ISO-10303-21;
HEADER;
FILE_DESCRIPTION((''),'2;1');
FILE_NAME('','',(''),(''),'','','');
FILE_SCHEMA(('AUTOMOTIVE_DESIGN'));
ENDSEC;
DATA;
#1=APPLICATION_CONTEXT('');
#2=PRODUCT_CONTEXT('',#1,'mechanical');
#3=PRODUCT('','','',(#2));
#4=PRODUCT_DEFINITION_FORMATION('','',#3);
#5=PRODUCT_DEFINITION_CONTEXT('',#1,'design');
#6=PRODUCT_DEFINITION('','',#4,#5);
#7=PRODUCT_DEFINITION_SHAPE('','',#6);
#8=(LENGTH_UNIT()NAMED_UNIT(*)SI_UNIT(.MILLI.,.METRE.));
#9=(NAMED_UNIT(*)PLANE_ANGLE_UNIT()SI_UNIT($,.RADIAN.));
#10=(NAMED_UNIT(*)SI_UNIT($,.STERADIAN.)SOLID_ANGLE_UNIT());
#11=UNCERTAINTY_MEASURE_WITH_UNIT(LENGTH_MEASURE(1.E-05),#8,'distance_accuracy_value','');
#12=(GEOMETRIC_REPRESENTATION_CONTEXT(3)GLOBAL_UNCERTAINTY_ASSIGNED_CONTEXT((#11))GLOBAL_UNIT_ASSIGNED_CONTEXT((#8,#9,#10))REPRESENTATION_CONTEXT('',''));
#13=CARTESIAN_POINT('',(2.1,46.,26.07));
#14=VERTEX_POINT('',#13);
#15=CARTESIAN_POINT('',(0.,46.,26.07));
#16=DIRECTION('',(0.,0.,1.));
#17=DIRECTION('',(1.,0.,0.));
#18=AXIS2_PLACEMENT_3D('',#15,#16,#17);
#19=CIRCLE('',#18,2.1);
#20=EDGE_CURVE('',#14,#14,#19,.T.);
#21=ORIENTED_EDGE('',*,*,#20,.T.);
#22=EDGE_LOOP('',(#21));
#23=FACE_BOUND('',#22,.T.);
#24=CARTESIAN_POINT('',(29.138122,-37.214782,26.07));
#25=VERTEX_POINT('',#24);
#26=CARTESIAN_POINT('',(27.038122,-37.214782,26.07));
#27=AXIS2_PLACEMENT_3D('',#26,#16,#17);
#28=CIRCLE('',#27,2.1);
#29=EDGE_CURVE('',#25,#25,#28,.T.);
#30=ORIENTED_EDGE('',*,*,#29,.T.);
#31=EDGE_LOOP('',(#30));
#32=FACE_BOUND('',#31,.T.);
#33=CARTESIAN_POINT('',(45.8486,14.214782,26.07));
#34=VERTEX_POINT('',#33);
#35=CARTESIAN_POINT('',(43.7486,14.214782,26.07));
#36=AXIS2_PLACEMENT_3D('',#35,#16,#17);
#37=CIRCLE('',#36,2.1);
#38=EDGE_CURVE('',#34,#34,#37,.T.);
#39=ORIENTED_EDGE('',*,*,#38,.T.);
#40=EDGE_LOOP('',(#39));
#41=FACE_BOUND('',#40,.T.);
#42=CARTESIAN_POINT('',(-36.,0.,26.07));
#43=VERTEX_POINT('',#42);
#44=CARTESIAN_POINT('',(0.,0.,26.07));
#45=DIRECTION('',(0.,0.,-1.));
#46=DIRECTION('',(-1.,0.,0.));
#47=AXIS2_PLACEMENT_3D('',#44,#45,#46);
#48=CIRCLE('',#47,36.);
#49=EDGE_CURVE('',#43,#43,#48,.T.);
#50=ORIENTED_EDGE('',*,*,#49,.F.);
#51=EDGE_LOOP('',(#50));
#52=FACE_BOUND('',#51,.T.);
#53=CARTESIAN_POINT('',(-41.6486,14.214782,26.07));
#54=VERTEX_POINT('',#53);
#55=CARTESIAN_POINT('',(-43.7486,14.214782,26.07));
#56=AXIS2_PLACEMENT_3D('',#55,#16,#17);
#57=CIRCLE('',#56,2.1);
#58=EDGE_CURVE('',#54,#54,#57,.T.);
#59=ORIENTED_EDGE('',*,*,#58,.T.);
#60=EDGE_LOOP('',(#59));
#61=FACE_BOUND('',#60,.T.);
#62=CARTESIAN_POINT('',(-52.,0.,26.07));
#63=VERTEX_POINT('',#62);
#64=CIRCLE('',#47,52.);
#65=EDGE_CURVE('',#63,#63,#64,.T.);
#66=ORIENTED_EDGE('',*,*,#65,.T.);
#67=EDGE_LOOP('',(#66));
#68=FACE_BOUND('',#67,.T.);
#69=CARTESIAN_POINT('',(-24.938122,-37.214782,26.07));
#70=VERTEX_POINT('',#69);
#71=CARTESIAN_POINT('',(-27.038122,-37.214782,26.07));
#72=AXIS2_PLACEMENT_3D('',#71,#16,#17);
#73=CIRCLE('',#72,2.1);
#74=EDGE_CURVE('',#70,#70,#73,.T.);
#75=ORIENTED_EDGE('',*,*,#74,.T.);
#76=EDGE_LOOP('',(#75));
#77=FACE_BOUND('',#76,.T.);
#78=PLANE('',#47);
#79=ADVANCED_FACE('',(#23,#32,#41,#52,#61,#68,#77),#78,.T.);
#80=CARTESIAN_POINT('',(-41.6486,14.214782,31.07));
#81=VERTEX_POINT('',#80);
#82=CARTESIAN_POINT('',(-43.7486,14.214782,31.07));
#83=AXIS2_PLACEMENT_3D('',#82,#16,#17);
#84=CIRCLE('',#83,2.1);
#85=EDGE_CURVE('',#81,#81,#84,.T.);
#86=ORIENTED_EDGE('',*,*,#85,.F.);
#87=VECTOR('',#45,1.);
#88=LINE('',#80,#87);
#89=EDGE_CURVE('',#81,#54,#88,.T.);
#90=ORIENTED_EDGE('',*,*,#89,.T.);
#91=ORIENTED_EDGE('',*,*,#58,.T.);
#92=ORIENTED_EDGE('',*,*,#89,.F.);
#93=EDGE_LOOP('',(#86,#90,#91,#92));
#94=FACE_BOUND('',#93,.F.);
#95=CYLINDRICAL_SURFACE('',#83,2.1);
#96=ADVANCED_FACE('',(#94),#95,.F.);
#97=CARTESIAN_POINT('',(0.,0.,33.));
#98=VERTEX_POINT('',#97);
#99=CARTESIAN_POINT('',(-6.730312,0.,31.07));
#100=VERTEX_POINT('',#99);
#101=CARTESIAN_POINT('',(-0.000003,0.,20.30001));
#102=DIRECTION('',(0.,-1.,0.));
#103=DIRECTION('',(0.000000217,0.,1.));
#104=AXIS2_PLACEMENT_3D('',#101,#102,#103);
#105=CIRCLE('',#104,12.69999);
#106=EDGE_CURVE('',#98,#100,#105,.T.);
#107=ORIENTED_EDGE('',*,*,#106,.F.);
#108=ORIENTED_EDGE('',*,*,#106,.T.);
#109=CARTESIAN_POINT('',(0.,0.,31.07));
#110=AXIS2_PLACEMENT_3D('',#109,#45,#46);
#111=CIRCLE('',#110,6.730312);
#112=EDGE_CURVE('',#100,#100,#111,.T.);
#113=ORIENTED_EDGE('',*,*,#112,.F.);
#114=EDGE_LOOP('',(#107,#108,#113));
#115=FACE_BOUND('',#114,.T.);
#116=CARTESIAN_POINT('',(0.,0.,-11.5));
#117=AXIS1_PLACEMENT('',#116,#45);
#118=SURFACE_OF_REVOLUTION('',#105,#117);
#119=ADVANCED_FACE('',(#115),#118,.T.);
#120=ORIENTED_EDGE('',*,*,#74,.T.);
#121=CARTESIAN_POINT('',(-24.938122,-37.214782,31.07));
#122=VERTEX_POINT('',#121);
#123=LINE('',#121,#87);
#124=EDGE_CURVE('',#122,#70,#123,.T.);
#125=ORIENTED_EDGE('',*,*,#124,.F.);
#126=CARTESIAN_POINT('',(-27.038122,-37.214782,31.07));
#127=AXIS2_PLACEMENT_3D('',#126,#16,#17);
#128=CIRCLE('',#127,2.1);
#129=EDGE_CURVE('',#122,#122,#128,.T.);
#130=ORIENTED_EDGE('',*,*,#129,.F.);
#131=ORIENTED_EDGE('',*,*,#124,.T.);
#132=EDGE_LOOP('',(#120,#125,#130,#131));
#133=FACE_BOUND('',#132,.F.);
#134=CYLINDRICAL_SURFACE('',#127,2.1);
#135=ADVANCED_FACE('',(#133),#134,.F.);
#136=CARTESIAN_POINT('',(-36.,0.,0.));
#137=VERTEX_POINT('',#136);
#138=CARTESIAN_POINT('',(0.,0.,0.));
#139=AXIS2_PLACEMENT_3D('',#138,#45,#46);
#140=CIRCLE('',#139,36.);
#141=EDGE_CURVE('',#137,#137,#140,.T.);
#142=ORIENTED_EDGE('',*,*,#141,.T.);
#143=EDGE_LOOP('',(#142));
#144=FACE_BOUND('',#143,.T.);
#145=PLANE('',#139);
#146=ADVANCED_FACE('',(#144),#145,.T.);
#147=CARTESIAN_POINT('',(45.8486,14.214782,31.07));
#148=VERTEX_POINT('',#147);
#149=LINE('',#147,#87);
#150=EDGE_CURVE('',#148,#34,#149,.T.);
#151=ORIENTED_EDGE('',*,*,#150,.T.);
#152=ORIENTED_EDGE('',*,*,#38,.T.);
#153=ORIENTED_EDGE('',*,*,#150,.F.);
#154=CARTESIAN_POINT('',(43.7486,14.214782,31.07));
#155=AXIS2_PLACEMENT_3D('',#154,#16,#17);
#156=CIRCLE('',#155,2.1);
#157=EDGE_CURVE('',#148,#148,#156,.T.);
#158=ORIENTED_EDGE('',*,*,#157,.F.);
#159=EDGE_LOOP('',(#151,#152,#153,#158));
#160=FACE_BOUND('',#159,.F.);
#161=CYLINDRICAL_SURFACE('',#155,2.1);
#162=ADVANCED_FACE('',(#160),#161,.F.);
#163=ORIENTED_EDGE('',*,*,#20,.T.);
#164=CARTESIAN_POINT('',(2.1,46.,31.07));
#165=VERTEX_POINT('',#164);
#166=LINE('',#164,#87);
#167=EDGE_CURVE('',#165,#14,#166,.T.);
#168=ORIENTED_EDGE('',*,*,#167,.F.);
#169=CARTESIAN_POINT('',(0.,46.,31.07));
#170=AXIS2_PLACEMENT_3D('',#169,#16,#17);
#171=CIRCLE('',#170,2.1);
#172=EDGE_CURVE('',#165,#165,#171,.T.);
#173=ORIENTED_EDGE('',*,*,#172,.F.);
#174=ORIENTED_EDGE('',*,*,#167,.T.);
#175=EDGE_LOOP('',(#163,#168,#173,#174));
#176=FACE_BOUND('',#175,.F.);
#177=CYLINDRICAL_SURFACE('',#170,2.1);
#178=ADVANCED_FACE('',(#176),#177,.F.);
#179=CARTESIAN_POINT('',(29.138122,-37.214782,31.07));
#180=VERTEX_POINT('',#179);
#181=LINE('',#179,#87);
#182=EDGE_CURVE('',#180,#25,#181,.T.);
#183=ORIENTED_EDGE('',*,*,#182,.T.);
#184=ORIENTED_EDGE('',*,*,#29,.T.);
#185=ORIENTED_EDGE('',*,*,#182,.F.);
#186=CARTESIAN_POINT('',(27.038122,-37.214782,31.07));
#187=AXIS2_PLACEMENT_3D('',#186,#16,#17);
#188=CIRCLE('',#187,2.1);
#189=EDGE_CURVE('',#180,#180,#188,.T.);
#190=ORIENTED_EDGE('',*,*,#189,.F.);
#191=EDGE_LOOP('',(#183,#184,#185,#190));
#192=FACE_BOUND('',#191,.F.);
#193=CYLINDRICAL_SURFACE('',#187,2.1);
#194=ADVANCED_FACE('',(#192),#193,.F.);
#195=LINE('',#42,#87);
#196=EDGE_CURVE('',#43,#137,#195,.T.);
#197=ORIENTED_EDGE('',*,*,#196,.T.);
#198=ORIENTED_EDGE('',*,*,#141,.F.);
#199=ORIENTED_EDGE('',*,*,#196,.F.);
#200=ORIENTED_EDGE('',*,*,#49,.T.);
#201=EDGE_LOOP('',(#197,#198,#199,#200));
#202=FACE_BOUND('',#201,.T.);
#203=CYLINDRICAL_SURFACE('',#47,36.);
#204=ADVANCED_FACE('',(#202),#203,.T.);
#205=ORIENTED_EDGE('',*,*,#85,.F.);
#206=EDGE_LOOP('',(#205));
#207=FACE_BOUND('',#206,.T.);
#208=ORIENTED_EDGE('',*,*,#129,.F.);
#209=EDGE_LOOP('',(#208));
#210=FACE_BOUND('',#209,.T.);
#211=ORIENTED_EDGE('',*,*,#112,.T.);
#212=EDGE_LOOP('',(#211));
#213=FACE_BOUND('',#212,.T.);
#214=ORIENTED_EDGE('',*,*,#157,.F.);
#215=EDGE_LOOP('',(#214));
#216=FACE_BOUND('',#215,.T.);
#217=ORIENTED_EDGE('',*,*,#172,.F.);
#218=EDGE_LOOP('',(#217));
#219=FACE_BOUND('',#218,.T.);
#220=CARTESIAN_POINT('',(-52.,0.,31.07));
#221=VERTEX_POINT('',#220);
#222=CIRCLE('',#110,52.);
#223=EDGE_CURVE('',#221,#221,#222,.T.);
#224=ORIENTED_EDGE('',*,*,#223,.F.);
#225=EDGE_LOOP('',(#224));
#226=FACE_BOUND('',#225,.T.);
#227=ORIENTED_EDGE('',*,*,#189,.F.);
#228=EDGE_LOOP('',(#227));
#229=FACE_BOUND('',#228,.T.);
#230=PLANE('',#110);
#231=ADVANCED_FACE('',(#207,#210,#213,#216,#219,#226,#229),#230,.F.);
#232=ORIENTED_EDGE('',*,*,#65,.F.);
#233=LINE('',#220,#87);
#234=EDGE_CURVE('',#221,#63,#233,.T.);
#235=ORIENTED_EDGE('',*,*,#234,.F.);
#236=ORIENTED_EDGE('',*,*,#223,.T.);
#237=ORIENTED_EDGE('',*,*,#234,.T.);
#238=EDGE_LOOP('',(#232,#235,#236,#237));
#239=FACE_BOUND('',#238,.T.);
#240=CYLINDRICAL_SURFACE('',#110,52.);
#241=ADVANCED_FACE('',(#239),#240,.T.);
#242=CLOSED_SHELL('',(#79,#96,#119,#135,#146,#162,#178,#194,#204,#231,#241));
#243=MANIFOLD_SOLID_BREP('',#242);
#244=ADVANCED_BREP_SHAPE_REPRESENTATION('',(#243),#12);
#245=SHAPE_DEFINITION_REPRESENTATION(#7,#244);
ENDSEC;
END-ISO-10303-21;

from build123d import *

# Parameters (mm, degrees)
F2_R     = 2.1
F3_DEPTH = 5


with BuildPart() as f1:
    # F0 (on Front) → F1 (revolve)
    with BuildSketch(Plane.XZ):
        with BuildLine():
            Line((-36, 0), (0, 0))
            Line((0, 0), (0, 33))
            ThreePointArc((0, 33), (-3.500786, 32.507969), (-6.730312, 31.07))
            Line((-6.730312, 31.07), (-52, 31.07))
            Line((-52, 31.07), (-52, 26.07))
            Line((-52, 26.07), (-36, 26.07))
            Line((-36, 26.07), (-36, 0))
        make_face()
    revolve(axis=Axis((0, 0, -11.5), (0, 0, -1)))

    # F2 (on face) → F3 (cut, through all)
    with BuildSketch(Plane.XY.offset(31.07)):
        with Locations((0, 46)):
            Circle(F2_R)
        with Locations((43.7486, 14.214782)):
            Circle(F2_R)
        with Locations((27.038122, -37.214782)):
            Circle(F2_R)
        with Locations((-27.038122, -37.214782)):
            Circle(F2_R)
        with Locations((-43.7486, 14.214782)):
            Circle(F2_R)
    extrude(amount=-F3_DEPTH, mode=Mode.SUBTRACT)


solid = f1.part
